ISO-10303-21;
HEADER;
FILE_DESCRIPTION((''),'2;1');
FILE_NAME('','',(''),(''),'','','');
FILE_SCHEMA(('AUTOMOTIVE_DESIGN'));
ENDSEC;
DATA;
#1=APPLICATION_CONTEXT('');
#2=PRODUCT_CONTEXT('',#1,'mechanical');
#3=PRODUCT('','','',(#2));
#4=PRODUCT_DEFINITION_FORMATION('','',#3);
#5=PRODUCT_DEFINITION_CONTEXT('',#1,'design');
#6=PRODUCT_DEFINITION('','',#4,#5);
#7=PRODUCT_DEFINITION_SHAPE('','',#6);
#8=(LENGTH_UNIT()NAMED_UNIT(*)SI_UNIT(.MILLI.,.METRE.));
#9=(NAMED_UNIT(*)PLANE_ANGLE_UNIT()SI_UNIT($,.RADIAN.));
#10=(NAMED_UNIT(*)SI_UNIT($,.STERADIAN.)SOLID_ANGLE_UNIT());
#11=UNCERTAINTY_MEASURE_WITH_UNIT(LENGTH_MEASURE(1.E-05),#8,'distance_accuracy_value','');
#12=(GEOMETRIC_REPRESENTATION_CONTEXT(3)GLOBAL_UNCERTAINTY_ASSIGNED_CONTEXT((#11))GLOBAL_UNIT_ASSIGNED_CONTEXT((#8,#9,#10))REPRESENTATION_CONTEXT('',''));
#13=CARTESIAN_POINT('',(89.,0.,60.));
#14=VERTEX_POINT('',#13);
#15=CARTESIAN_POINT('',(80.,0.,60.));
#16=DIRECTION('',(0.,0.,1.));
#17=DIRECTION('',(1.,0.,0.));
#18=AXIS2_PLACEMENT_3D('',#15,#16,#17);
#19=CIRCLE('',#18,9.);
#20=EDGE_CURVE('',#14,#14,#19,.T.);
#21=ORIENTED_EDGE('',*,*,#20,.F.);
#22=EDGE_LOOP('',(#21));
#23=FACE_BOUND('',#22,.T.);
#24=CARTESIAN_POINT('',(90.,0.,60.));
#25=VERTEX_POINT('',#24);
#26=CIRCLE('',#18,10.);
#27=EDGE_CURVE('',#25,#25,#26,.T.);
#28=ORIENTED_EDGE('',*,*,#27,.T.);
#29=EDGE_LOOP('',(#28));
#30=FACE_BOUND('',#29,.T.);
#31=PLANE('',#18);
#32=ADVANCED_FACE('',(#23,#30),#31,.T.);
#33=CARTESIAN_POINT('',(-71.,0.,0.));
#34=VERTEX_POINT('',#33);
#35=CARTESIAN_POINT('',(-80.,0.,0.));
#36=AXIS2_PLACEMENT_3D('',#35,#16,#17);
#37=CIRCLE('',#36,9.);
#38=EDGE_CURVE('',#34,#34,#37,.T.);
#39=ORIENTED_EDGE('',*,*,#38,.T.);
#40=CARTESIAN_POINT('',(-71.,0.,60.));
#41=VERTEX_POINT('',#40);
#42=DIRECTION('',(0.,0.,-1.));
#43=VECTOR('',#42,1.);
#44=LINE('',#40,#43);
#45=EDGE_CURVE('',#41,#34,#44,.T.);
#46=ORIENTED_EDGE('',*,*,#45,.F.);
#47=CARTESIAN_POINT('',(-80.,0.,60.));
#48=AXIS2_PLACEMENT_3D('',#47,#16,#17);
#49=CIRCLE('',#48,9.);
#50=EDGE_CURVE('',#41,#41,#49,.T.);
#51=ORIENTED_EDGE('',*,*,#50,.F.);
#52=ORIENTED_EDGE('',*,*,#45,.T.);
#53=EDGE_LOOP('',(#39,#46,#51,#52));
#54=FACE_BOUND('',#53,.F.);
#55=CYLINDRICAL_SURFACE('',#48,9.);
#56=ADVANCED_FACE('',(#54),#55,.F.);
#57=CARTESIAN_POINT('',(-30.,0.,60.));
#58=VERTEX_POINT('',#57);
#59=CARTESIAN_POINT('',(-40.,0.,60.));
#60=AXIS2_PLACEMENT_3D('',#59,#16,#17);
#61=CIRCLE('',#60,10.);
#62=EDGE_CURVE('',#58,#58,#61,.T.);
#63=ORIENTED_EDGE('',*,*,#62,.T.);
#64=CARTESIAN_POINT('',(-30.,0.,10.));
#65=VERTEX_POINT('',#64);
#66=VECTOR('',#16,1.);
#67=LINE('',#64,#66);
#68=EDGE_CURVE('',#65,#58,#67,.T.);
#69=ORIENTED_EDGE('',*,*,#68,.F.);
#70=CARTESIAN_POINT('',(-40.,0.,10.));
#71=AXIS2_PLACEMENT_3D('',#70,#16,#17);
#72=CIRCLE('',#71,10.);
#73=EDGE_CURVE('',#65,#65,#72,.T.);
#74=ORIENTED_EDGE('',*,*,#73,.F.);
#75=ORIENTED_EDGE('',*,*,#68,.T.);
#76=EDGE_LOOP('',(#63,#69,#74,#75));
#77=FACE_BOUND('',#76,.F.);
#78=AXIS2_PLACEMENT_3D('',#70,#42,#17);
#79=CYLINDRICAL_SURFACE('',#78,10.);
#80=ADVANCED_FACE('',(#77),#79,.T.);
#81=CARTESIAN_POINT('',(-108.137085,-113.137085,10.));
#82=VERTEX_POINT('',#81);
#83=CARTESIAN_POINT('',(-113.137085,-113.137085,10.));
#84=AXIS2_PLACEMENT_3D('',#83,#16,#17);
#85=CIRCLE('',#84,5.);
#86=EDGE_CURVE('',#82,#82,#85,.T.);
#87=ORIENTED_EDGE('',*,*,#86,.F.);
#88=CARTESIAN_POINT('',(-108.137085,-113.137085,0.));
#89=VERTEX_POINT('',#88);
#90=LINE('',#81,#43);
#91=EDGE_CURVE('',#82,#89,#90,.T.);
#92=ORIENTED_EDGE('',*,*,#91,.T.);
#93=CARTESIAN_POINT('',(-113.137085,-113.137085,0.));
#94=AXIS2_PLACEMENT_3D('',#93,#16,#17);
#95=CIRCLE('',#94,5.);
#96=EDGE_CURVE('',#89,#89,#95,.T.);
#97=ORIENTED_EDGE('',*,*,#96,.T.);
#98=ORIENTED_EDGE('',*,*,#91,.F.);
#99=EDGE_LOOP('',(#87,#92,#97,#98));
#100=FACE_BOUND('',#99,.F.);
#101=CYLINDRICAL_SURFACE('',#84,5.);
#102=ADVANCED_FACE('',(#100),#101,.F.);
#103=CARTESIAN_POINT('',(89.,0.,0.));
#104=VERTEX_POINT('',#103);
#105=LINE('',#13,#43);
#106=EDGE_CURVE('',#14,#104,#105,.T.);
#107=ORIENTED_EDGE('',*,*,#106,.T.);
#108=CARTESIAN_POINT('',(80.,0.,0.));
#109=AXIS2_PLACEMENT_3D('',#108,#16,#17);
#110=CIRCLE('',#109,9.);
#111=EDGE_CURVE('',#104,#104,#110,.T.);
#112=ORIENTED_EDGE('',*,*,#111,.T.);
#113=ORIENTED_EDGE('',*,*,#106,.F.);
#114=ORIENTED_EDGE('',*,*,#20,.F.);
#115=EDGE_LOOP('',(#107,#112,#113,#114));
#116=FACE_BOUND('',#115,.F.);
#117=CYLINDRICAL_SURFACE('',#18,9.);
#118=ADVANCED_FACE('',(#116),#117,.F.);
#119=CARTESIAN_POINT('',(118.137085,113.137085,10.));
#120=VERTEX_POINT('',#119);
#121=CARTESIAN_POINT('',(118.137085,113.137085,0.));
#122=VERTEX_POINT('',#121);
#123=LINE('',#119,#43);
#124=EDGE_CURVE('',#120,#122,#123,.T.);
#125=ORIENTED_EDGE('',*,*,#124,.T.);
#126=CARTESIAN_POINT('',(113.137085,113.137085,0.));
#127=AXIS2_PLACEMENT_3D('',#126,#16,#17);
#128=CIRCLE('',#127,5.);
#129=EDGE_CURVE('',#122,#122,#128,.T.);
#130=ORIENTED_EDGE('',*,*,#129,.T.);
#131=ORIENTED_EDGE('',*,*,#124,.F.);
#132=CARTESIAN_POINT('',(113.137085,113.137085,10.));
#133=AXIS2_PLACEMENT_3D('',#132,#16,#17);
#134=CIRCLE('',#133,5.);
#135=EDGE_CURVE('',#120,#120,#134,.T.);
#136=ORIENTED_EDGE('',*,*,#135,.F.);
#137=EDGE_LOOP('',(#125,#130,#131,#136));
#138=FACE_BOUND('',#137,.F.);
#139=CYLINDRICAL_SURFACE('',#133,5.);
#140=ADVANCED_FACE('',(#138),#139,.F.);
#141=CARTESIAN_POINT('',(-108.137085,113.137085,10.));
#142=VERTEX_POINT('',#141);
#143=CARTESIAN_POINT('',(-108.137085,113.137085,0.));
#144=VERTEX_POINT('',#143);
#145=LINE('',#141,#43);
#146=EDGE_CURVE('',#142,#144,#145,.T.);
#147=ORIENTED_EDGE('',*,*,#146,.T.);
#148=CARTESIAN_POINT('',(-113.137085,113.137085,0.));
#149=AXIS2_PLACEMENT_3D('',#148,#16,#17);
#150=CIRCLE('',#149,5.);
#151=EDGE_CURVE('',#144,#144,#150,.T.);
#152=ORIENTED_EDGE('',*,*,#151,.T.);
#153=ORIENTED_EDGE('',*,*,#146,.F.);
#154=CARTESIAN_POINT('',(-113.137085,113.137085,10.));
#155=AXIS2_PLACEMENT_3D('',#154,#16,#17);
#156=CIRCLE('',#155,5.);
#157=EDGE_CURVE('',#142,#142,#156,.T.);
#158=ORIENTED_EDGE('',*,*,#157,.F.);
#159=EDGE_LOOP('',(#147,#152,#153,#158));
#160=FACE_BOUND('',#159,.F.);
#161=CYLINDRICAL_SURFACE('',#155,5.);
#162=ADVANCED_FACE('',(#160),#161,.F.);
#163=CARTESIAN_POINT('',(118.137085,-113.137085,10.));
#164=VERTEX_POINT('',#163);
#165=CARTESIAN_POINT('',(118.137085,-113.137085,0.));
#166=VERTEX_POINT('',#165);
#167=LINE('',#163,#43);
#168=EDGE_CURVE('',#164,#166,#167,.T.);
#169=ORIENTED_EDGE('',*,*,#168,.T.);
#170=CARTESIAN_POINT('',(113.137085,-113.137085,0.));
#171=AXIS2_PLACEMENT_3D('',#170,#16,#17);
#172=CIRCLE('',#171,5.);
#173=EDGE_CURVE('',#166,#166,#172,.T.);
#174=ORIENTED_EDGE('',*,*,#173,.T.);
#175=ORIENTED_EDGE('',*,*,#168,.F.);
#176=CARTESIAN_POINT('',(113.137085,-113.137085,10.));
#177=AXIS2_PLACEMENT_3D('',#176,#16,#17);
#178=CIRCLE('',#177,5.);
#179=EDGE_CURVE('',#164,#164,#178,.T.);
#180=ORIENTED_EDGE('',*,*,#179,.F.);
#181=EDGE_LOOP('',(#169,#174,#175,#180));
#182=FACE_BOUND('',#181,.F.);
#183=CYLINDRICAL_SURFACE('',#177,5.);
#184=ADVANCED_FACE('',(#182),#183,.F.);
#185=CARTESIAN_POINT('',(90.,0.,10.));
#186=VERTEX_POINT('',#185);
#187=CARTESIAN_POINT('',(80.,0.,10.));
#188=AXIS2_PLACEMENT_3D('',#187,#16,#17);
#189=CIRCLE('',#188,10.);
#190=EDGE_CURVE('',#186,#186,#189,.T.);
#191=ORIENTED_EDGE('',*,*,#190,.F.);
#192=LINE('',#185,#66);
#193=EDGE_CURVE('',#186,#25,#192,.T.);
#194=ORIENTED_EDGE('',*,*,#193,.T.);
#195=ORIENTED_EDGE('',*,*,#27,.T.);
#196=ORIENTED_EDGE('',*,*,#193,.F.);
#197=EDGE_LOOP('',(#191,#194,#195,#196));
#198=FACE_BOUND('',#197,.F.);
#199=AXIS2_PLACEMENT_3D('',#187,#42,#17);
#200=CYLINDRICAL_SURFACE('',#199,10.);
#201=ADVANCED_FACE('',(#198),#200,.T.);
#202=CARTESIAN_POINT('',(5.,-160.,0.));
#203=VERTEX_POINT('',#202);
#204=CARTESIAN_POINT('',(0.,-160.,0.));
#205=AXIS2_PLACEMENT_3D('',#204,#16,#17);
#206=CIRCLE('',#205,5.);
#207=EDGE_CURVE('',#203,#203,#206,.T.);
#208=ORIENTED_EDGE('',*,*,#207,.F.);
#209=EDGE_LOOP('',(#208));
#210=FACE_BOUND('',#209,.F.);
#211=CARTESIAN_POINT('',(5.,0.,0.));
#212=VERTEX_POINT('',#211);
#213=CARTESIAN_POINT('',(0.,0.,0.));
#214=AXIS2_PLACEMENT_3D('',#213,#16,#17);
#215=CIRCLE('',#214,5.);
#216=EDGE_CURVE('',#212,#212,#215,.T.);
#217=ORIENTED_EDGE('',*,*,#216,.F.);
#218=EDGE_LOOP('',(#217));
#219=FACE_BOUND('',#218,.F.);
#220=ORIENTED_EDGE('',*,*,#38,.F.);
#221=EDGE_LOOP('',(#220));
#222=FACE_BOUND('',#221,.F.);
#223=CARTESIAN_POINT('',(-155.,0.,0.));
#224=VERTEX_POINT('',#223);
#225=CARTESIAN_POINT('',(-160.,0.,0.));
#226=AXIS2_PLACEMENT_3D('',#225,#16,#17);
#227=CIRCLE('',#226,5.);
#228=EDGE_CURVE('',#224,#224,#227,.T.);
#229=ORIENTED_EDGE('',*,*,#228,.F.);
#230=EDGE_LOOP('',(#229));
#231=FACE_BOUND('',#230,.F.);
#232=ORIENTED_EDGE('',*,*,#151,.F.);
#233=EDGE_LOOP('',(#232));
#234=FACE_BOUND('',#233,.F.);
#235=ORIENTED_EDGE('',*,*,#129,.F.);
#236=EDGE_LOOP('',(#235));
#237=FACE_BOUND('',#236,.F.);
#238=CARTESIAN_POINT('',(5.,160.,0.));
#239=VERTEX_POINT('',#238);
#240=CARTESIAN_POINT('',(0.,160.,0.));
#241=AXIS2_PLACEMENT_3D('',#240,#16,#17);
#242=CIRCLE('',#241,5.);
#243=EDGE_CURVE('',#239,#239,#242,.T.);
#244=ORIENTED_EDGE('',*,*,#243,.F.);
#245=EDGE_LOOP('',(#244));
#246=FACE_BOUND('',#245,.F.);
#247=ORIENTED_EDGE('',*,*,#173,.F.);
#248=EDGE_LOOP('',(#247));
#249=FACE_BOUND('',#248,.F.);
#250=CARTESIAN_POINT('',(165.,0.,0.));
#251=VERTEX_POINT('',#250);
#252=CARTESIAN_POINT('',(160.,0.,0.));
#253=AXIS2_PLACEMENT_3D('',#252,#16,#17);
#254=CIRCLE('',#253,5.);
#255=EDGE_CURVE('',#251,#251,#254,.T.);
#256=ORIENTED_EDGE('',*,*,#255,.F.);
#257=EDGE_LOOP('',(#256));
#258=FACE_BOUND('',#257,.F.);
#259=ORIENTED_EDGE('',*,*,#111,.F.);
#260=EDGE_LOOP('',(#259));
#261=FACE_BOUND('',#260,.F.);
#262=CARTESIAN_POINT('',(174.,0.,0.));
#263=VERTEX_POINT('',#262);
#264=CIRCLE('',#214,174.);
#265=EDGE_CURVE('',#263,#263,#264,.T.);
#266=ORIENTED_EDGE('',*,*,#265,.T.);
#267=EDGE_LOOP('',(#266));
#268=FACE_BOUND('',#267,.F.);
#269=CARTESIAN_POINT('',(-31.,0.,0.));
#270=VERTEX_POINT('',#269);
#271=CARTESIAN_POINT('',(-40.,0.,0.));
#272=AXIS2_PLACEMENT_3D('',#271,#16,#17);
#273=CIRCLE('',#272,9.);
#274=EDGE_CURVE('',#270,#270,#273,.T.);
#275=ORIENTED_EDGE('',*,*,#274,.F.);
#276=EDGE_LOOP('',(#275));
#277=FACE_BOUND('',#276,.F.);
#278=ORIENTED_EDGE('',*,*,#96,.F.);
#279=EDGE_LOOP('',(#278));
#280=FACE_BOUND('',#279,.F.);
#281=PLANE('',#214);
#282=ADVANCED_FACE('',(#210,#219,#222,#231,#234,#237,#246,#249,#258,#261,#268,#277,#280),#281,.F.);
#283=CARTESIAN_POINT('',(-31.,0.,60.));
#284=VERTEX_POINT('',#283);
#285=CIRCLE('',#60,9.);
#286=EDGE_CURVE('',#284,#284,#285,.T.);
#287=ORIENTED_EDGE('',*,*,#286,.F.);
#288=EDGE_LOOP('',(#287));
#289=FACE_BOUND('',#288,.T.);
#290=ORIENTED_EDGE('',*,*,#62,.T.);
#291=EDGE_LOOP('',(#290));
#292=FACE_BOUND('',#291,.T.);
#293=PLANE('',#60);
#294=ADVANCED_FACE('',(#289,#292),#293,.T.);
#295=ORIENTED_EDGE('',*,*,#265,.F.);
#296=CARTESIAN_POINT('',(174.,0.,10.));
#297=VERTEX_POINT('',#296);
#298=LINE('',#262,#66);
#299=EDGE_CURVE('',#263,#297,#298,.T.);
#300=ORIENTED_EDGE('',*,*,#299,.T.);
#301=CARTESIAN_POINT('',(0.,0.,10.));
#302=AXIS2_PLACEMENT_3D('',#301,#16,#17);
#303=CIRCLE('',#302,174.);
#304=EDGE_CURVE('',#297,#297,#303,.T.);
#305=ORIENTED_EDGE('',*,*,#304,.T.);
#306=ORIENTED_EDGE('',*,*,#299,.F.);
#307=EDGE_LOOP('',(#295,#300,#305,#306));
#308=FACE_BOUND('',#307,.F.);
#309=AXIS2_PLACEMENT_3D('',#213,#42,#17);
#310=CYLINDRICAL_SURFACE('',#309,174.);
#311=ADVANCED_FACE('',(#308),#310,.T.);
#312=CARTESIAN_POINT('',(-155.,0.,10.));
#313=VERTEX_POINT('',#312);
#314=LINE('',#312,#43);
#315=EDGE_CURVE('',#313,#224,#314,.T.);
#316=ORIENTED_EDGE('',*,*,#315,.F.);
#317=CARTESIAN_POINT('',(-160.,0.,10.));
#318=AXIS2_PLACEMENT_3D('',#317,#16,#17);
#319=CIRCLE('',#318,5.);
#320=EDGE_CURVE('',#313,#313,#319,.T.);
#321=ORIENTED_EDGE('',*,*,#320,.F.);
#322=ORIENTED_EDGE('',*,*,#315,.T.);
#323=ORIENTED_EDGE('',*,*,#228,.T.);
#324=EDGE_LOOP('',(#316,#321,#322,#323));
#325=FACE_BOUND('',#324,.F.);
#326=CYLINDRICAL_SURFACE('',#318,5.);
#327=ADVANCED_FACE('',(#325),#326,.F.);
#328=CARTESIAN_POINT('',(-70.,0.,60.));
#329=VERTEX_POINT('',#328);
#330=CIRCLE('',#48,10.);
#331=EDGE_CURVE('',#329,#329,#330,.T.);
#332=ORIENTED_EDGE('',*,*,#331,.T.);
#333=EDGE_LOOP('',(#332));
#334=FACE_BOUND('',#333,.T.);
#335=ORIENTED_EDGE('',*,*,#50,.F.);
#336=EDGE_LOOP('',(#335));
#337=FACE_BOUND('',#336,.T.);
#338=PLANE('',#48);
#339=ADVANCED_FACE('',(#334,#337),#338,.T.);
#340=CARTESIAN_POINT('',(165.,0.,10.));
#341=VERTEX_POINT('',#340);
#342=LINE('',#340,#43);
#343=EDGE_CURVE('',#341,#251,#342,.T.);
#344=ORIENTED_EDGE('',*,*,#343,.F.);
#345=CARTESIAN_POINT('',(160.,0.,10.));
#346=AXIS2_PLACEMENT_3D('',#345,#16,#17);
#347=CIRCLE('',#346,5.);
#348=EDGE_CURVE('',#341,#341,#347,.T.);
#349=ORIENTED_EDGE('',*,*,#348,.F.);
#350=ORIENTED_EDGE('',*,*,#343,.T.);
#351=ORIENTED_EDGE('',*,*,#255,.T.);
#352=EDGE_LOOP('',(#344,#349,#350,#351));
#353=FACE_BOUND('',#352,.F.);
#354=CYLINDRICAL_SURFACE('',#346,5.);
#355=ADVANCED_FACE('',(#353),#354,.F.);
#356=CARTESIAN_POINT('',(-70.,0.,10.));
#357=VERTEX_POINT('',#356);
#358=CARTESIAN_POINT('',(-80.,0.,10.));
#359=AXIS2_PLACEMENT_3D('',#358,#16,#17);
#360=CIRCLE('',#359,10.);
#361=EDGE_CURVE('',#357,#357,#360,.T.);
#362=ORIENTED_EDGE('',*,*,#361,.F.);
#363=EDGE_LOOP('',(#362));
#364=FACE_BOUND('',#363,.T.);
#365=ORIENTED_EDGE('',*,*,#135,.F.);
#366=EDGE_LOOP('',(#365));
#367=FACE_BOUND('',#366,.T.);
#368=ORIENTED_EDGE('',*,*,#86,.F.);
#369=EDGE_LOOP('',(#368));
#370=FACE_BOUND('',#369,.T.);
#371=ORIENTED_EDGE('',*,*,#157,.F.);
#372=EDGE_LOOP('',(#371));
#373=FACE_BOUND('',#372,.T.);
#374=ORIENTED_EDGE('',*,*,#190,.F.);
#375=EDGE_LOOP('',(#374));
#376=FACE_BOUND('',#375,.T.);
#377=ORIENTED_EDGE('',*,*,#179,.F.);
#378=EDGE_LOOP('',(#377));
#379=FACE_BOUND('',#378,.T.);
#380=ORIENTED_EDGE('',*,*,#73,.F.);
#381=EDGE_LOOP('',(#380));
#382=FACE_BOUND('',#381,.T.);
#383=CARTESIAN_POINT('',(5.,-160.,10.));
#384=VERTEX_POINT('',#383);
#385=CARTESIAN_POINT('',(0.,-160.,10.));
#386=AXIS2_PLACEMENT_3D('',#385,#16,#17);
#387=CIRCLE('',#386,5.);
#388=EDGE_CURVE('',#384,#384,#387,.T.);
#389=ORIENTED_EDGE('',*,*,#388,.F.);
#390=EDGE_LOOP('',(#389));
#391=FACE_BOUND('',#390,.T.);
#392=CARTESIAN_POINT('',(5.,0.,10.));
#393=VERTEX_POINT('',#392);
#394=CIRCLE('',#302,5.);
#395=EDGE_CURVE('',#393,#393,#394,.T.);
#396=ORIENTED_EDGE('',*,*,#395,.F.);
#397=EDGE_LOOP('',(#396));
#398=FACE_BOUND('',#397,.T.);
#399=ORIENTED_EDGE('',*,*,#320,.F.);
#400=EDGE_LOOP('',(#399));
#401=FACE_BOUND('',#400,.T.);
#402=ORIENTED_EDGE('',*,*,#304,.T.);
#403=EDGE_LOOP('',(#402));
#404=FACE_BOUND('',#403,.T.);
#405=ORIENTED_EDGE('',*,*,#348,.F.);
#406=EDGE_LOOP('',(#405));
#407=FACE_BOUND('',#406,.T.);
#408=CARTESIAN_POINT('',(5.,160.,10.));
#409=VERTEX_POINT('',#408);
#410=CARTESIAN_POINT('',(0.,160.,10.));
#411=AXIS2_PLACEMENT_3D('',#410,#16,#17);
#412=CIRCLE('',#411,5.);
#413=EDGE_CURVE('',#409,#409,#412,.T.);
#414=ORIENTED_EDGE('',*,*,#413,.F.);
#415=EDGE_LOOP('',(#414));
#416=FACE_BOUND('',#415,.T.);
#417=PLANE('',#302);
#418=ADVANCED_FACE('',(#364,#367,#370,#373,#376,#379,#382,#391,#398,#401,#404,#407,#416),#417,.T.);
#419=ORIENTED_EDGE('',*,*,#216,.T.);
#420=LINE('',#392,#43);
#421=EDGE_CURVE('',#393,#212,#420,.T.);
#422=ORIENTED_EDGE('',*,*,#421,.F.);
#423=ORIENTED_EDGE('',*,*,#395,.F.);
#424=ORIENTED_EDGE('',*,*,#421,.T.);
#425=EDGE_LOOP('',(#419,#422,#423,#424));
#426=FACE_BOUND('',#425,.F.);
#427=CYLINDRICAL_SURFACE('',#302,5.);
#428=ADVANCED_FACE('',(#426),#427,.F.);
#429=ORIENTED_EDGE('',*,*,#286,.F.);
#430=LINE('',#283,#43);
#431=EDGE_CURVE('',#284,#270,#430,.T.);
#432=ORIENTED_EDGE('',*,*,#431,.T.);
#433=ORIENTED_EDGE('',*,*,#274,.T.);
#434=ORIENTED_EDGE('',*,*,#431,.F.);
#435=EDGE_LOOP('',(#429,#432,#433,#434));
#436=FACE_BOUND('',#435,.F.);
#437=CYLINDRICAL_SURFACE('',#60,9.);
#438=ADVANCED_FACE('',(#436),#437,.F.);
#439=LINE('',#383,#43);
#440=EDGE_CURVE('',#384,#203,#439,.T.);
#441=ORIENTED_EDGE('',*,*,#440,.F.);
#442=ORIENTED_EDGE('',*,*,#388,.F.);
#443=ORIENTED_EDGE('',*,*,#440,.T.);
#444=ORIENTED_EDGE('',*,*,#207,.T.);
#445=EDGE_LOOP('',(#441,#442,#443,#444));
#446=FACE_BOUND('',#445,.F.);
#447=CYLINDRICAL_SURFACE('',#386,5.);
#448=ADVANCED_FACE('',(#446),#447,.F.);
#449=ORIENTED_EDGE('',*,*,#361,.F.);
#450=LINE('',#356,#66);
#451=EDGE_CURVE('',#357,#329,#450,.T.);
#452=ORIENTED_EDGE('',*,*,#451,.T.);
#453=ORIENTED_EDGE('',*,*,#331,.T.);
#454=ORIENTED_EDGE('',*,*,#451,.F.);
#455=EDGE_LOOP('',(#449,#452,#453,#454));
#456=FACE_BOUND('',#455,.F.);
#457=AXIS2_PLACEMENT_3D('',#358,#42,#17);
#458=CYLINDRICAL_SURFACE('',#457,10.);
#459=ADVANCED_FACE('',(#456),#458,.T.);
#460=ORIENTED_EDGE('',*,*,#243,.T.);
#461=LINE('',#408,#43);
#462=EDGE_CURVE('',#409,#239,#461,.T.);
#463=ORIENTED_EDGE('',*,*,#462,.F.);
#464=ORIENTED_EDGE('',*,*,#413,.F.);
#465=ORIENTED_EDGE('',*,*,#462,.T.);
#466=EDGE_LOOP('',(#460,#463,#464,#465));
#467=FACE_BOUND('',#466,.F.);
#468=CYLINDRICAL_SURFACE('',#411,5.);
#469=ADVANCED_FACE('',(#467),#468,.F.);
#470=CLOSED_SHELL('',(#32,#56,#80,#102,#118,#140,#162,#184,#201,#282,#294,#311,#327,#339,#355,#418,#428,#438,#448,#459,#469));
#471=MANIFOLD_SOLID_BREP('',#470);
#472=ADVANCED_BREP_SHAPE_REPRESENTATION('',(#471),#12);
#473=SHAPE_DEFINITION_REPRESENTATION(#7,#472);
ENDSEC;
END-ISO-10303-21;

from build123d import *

# Parameters (mm, degrees)
F0_R      = 174
F1_DEPTH  = 10
F2_R      = 5
F3_DEPTH  = 10
F4_R      = 5
F5_DEPTH  = 10
F6_R      = 10
F7_DEPTH  = 50
F9_R      = 9
F8_R      = 9
F10_R     = 9
F11_DEPTH = 60


with BuildPart() as f1:
    # F0 (on Top) → F1 (new body)
    with BuildSketch(Plane.XY):
        Circle(F0_R)
    extrude(amount=F1_DEPTH)

    # F2 (on face) → F3 (cut, through all)
    with BuildSketch(Plane.XY.offset(10)):
        with Locations((0, 160)):
            Circle(F2_R)
        with Locations((-113.137085, 113.137085)):
            Circle(F2_R)
        with Locations((-160, 0)):
            Circle(F2_R)
        with Locations((-113.137085, -113.137085)):
            Circle(F2_R)
        with Locations((0, -160)):
            Circle(F2_R)
        with Locations((113.137085, -113.137085)):
            Circle(F2_R)
        with Locations((160, 0)):
            Circle(F2_R)
        with Locations((113.137085, 113.137085)):
            Circle(F2_R)
    extrude(amount=-F3_DEPTH, mode=Mode.SUBTRACT)

    # F4 (on face) → F5 (cut, through all)
    with BuildSketch(Plane.XY.offset(10)):
        Circle(F4_R)
    extrude(amount=-F5_DEPTH, mode=Mode.SUBTRACT)

    # F6 (on face) → F7 (join)
    with BuildSketch(Plane.XY.offset(10)):
        with Locations((80, 0)):
            Circle(F6_R)
        with Locations((-40, 0)):
            Circle(F6_R)
        with Locations((-80, 0)):
            Circle(F6_R)
    extrude(amount=F7_DEPTH)

    # F9 (on face) + F8 (on face) + F10 (on face) → F11 (cut, through all)
    with BuildSketch(Plane.XY.offset(60)):
        with Locations((-80, 0)):
            Circle(F9_R)
    with BuildSketch(Plane.XY.offset(60)):
        with Locations((-40, 0)):
            Circle(F8_R)
    with BuildSketch(Plane.XY.offset(60)):
        with Locations((80, 0)):
            Circle(F10_R)
    extrude(amount=-F11_DEPTH, mode=Mode.SUBTRACT)


solid = f1.part
